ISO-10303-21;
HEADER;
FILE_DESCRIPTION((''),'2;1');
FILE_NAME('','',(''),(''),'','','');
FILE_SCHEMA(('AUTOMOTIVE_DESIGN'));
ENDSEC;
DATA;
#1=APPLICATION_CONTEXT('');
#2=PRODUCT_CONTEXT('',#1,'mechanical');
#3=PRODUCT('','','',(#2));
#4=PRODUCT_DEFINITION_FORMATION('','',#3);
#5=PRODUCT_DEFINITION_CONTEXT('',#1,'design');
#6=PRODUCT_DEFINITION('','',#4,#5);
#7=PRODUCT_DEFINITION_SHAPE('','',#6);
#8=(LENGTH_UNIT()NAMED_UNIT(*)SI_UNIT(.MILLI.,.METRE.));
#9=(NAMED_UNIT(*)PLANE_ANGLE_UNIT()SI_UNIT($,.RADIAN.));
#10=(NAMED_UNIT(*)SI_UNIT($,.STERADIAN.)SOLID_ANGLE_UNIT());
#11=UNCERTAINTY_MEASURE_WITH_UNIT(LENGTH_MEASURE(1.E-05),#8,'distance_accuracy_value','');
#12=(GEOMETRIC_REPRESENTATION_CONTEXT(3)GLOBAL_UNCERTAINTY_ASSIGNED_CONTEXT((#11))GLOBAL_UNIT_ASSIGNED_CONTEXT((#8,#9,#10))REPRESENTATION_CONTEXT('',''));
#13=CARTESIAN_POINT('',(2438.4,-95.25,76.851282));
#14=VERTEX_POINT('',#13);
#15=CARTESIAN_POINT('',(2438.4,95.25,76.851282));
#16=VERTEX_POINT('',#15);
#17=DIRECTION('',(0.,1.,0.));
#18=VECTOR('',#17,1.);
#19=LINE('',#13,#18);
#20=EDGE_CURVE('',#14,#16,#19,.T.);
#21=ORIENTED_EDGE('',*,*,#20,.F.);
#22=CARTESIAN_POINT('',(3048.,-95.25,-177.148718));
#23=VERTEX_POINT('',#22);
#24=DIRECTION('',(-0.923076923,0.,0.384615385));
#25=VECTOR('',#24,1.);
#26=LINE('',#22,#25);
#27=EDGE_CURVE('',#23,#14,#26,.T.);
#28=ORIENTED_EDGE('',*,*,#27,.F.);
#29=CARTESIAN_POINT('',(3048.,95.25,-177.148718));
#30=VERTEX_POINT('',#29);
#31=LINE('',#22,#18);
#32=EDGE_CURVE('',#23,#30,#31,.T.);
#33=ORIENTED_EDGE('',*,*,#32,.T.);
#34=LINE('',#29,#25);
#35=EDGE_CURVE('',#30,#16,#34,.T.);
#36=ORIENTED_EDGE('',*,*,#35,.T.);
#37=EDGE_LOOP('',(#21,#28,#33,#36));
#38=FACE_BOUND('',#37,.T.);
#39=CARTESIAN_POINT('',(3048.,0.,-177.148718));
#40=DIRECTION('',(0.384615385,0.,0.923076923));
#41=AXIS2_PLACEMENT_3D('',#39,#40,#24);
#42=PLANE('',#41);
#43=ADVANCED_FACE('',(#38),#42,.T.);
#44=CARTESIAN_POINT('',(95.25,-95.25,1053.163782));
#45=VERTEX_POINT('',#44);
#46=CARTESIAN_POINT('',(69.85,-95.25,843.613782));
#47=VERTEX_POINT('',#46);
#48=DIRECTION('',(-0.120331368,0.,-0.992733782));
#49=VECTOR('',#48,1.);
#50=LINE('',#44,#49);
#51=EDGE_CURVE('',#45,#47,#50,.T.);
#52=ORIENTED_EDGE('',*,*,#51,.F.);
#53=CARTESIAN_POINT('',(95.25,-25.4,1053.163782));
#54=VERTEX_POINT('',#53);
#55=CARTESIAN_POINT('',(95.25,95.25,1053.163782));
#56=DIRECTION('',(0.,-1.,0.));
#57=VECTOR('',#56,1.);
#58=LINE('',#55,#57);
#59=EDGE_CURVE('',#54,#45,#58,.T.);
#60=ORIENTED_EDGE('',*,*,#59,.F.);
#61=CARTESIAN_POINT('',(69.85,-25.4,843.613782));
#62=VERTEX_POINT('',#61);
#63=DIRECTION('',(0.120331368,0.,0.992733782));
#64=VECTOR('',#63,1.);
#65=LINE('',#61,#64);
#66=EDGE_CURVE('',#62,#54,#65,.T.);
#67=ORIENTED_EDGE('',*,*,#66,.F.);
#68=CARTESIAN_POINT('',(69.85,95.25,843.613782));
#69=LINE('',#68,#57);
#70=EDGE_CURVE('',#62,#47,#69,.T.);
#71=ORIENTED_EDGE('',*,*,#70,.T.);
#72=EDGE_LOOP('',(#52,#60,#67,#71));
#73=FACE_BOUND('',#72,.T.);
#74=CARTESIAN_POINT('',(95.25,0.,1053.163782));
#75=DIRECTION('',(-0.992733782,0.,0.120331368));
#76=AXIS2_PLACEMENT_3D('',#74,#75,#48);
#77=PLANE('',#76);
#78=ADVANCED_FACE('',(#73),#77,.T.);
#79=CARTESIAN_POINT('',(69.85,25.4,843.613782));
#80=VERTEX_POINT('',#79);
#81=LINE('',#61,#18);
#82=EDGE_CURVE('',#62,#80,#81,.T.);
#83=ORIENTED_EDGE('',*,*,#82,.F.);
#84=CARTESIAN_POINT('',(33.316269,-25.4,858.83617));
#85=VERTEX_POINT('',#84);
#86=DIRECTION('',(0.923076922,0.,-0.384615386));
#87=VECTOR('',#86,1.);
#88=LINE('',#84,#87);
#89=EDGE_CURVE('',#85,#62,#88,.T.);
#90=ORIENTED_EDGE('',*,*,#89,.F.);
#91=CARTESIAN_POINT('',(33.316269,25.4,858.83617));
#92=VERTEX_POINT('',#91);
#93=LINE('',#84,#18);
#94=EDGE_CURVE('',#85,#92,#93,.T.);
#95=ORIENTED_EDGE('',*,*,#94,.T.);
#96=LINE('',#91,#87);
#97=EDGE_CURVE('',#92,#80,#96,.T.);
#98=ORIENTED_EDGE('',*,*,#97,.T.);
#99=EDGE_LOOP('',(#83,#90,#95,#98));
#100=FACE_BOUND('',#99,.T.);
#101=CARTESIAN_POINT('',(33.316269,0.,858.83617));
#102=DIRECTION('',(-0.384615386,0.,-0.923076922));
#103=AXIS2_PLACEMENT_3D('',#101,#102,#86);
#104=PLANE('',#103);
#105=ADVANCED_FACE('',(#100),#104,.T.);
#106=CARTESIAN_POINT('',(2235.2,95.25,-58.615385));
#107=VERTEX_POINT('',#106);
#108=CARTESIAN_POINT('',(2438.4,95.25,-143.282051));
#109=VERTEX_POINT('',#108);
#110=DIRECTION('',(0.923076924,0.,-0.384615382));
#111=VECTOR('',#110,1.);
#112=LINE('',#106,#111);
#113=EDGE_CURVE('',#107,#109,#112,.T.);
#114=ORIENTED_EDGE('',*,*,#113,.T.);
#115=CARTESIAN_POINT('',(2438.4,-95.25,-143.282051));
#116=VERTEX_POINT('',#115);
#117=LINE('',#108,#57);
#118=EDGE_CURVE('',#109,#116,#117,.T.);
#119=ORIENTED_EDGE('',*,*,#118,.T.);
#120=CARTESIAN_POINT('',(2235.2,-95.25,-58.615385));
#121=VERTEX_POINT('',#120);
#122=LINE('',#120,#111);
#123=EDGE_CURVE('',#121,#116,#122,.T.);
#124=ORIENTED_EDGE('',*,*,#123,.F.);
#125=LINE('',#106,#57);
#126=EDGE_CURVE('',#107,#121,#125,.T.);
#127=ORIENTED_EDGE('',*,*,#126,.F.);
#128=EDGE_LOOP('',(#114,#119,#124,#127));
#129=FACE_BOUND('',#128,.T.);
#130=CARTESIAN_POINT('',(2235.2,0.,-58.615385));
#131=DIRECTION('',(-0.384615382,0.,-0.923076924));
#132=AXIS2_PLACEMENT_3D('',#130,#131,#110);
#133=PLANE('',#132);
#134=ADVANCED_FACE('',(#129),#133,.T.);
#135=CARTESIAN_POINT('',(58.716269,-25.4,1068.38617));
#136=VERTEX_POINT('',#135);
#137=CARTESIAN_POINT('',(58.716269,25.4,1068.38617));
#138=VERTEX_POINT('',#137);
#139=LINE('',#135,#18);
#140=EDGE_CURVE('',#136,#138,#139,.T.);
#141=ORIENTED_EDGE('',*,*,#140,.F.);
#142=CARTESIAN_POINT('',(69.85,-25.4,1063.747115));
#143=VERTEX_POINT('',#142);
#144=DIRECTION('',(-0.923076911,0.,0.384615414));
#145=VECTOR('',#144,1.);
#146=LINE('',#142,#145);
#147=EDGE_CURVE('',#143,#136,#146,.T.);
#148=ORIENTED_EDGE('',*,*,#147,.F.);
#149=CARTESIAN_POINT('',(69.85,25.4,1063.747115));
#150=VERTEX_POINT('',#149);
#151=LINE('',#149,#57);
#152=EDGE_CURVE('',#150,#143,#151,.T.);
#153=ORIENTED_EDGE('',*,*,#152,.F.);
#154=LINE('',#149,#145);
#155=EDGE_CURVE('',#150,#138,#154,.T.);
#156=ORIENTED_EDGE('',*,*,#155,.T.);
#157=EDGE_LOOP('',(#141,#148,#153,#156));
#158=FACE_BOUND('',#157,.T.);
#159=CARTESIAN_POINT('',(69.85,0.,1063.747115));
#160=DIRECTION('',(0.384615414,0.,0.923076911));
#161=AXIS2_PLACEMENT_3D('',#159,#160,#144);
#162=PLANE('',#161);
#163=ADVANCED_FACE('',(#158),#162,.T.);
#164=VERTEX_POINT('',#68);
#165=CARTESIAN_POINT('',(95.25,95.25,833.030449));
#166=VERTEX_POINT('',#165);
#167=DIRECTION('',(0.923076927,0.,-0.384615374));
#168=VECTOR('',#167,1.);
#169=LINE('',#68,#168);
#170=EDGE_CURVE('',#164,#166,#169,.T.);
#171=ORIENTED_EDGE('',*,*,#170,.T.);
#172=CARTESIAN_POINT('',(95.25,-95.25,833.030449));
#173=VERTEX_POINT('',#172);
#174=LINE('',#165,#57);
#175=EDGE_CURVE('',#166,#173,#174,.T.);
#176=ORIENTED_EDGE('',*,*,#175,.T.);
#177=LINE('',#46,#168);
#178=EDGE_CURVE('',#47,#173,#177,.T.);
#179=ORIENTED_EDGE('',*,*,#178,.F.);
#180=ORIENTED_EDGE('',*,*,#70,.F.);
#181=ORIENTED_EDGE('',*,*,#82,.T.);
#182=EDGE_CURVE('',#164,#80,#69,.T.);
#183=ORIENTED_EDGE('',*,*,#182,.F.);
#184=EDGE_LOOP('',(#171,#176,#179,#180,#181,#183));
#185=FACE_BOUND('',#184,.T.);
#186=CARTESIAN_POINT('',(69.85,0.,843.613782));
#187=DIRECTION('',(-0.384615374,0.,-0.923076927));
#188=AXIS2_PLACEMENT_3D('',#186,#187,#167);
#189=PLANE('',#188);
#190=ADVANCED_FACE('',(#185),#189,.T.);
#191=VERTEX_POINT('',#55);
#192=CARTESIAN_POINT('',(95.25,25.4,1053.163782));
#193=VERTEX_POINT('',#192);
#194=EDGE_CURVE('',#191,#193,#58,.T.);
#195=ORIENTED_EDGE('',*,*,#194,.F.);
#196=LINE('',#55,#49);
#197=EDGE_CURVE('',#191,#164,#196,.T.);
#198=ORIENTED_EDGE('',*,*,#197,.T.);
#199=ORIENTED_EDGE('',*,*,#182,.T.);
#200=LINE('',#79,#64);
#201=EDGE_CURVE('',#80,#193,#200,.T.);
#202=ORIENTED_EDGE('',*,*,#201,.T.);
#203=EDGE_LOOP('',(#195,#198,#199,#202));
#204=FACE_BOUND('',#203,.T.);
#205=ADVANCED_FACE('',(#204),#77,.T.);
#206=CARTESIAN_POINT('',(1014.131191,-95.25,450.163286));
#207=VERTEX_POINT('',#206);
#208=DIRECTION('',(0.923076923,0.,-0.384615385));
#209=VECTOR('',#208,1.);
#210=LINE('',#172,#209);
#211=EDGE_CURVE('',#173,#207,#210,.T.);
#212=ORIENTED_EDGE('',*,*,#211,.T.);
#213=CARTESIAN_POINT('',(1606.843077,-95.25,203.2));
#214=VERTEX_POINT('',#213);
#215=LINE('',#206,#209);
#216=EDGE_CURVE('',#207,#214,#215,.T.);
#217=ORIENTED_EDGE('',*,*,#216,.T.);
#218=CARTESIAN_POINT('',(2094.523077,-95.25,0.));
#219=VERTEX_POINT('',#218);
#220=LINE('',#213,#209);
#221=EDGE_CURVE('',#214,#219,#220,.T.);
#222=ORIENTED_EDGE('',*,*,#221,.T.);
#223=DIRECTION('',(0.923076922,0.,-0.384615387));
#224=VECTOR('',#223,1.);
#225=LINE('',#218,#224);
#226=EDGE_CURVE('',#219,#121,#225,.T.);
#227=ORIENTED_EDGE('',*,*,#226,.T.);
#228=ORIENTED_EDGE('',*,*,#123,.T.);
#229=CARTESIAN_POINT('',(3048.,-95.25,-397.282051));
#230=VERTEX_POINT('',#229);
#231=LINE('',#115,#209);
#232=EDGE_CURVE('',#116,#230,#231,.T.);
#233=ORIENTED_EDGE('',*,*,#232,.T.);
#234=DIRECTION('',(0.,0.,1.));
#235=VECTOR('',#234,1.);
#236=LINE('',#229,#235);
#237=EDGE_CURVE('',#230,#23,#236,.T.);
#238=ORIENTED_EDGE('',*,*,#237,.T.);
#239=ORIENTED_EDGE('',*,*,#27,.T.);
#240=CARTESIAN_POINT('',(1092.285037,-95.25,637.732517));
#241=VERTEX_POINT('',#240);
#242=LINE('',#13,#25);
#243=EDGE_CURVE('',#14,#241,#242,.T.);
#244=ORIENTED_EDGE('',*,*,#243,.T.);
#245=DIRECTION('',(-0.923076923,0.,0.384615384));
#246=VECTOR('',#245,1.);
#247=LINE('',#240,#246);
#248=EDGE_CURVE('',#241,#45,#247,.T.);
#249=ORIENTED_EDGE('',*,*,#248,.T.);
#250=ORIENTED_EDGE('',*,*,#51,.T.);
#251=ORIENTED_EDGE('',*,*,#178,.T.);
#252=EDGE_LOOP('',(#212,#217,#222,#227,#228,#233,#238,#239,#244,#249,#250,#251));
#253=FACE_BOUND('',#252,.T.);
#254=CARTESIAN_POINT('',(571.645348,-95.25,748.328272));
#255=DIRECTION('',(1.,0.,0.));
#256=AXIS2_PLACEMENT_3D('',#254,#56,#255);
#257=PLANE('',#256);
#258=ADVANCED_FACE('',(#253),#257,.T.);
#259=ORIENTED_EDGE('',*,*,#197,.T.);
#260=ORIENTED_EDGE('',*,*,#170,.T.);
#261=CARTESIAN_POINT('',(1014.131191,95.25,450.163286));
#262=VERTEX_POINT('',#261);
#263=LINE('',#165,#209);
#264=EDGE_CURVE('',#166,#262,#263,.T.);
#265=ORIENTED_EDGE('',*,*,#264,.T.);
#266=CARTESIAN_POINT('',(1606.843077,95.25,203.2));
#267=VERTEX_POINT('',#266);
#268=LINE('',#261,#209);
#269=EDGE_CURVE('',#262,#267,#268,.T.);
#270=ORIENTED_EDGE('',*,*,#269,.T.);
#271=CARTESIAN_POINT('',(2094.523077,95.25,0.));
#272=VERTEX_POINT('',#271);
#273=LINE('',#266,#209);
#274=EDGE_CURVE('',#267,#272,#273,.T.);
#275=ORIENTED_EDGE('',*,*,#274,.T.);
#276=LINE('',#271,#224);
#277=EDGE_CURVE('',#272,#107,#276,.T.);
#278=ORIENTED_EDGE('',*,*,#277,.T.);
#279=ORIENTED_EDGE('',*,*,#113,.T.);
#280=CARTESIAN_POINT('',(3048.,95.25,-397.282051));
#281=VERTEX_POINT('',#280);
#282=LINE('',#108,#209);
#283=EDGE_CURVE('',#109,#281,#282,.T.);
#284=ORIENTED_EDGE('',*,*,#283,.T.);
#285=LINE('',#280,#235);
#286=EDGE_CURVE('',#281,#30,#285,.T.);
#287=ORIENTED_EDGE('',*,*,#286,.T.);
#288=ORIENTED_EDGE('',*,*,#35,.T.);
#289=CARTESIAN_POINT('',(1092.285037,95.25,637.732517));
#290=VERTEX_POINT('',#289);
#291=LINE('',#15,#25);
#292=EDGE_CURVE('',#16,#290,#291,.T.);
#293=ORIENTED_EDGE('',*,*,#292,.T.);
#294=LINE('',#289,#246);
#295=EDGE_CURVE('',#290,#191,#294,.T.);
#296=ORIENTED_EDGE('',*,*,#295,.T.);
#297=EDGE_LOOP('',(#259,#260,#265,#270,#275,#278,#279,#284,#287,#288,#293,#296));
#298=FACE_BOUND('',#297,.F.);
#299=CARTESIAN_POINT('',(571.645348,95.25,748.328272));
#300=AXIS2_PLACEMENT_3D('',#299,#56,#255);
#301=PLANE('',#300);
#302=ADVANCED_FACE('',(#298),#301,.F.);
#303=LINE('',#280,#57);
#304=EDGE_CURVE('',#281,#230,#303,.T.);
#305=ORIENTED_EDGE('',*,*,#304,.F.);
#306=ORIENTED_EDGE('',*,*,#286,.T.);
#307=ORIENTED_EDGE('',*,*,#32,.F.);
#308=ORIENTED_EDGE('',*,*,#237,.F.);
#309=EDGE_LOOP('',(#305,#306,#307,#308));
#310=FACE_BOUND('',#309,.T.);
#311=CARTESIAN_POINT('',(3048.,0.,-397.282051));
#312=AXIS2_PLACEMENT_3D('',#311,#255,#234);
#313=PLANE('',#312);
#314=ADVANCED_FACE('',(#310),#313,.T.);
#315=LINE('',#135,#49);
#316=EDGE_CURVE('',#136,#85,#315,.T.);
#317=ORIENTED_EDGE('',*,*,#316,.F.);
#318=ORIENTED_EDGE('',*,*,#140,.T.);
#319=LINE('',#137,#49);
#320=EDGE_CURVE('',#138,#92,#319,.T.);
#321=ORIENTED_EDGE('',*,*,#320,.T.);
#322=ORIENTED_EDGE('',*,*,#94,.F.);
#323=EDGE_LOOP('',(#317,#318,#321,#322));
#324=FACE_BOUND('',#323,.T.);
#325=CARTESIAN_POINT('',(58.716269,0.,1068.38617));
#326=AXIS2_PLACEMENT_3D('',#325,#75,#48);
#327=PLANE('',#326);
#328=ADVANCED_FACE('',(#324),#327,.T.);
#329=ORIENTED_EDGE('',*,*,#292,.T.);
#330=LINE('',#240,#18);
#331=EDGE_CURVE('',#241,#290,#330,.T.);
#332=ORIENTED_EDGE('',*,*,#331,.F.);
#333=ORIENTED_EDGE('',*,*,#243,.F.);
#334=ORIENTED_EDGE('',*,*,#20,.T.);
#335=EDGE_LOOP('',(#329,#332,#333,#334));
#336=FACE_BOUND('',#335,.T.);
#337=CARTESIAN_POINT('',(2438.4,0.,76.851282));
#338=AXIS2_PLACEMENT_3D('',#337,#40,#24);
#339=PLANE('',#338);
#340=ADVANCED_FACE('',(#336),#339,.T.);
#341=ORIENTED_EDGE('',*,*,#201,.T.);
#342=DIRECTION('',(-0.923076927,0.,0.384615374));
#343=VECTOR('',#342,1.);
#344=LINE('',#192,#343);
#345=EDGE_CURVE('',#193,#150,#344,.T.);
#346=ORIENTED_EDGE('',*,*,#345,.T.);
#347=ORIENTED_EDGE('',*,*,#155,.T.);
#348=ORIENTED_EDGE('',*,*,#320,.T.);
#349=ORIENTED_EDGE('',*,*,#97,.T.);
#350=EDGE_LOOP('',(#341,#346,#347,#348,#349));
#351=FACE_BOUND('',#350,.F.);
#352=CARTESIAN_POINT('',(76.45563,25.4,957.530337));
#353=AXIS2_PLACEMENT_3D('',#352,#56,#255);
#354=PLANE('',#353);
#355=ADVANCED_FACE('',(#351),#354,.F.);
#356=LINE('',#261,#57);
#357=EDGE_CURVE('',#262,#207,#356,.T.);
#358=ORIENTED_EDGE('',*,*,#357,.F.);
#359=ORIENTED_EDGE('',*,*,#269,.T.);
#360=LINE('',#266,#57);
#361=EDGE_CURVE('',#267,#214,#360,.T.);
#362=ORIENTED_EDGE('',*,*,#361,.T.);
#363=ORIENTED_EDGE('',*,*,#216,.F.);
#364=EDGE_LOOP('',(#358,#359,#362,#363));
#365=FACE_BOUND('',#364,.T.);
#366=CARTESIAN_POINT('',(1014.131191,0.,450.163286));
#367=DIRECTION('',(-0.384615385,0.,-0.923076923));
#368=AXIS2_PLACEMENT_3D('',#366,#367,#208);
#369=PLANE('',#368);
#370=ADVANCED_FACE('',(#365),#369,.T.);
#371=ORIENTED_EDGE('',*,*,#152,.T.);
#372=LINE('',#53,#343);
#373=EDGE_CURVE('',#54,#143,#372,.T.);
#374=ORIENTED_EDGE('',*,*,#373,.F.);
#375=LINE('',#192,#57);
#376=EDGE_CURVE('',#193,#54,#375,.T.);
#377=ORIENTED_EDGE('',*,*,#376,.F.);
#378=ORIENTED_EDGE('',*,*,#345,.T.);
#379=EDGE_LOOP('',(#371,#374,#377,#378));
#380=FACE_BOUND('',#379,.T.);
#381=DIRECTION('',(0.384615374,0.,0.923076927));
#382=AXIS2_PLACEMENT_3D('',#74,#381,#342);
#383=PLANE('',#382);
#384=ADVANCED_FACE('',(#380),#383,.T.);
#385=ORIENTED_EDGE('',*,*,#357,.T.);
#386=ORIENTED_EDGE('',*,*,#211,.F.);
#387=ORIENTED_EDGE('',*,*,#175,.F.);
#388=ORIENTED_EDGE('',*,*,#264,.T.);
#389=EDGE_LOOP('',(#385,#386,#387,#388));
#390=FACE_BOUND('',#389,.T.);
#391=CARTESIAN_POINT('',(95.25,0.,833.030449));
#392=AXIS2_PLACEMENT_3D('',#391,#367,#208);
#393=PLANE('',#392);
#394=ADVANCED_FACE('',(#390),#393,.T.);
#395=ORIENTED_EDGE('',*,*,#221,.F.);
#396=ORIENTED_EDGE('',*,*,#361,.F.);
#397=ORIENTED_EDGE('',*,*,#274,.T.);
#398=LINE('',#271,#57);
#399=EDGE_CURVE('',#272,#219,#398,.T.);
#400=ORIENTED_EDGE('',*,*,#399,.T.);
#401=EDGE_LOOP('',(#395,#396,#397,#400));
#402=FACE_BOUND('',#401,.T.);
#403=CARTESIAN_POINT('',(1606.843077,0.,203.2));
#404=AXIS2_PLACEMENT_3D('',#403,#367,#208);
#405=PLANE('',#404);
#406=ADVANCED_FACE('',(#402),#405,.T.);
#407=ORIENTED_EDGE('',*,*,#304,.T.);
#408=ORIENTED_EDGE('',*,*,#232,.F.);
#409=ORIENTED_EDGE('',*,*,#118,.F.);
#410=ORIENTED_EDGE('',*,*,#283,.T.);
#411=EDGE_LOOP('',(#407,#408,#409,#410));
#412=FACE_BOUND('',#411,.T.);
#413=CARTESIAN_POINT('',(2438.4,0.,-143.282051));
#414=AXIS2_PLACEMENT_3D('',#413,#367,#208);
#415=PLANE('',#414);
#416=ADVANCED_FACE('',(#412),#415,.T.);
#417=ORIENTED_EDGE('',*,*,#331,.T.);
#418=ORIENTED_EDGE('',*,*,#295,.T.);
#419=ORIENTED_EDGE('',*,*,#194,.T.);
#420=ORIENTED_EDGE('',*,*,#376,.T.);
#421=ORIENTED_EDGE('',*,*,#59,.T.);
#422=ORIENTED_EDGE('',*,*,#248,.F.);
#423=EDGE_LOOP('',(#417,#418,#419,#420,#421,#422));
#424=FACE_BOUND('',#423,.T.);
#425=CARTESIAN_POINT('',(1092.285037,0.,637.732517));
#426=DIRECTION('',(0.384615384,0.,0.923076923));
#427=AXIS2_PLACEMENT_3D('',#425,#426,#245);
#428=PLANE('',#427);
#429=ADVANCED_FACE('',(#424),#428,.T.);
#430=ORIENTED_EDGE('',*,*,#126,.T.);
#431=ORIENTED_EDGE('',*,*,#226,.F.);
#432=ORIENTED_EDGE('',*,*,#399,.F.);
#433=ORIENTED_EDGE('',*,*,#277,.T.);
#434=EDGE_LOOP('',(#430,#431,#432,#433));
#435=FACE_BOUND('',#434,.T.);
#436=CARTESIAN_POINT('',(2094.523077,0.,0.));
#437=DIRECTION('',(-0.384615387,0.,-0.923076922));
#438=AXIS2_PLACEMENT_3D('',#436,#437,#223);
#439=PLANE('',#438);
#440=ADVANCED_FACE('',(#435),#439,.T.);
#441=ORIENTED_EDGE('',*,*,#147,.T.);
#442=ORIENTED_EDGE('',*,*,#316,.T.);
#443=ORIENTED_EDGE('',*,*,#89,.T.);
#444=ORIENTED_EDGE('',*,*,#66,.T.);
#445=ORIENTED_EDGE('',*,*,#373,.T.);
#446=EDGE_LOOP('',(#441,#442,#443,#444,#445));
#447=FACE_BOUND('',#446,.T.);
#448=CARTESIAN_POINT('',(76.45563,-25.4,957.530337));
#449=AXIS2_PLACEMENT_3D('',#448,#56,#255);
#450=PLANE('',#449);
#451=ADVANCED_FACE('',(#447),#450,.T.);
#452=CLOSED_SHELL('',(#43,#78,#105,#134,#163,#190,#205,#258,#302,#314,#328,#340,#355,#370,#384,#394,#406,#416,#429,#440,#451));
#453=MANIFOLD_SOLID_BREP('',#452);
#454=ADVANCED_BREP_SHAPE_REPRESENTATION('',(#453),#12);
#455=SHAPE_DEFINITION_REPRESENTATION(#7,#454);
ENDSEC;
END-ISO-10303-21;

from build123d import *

# Parameters (mm, degrees)
F1_DEPTH = 95.25
F2_DEPTH = 25.4


with BuildPart() as f1:
    # F0 (on Front) → F1 (new body, symmetric)
    with BuildSketch(Plane.XZ):
        Polygon((1092.285037, 637.732517), (95.25, 1053.163782), (95.25, 833.030449), (1014.131191, 450.163286), align=None)
        Polygon((95.25, 833.030449), (95.25, 1053.163782), (69.85, 843.613782), align=None)
        Polygon((2438.4, 76.851282), (1092.285037, 637.732517), (1014.131191, 450.163286), (1606.843077, 203.2), (1820.203077, 114.3), (1850.683077, 101.6), (2094.523077, 0), (2235.2, -58.615385), (2438.4, -143.282051), align=None)
        Polygon((3048, -177.148718), (2438.4, 76.851282), (2438.4, -143.282051), (3048, -397.282051), align=None)
    extrude(amount=F1_DEPTH, both=True)

    # F0 (on Front) → F2 (join, symmetric)
    with BuildSketch(Plane.XZ):
        Polygon((69.85, 843.613782), (95.25, 1053.163782), (69.85, 1063.747115), align=None)
        Polygon((69.85, 1063.747115), (58.716269, 1068.38617), (33.316269, 858.83617), (69.85, 843.613782), align=None)
    extrude(amount=F2_DEPTH, both=True)


solid = f1.part
